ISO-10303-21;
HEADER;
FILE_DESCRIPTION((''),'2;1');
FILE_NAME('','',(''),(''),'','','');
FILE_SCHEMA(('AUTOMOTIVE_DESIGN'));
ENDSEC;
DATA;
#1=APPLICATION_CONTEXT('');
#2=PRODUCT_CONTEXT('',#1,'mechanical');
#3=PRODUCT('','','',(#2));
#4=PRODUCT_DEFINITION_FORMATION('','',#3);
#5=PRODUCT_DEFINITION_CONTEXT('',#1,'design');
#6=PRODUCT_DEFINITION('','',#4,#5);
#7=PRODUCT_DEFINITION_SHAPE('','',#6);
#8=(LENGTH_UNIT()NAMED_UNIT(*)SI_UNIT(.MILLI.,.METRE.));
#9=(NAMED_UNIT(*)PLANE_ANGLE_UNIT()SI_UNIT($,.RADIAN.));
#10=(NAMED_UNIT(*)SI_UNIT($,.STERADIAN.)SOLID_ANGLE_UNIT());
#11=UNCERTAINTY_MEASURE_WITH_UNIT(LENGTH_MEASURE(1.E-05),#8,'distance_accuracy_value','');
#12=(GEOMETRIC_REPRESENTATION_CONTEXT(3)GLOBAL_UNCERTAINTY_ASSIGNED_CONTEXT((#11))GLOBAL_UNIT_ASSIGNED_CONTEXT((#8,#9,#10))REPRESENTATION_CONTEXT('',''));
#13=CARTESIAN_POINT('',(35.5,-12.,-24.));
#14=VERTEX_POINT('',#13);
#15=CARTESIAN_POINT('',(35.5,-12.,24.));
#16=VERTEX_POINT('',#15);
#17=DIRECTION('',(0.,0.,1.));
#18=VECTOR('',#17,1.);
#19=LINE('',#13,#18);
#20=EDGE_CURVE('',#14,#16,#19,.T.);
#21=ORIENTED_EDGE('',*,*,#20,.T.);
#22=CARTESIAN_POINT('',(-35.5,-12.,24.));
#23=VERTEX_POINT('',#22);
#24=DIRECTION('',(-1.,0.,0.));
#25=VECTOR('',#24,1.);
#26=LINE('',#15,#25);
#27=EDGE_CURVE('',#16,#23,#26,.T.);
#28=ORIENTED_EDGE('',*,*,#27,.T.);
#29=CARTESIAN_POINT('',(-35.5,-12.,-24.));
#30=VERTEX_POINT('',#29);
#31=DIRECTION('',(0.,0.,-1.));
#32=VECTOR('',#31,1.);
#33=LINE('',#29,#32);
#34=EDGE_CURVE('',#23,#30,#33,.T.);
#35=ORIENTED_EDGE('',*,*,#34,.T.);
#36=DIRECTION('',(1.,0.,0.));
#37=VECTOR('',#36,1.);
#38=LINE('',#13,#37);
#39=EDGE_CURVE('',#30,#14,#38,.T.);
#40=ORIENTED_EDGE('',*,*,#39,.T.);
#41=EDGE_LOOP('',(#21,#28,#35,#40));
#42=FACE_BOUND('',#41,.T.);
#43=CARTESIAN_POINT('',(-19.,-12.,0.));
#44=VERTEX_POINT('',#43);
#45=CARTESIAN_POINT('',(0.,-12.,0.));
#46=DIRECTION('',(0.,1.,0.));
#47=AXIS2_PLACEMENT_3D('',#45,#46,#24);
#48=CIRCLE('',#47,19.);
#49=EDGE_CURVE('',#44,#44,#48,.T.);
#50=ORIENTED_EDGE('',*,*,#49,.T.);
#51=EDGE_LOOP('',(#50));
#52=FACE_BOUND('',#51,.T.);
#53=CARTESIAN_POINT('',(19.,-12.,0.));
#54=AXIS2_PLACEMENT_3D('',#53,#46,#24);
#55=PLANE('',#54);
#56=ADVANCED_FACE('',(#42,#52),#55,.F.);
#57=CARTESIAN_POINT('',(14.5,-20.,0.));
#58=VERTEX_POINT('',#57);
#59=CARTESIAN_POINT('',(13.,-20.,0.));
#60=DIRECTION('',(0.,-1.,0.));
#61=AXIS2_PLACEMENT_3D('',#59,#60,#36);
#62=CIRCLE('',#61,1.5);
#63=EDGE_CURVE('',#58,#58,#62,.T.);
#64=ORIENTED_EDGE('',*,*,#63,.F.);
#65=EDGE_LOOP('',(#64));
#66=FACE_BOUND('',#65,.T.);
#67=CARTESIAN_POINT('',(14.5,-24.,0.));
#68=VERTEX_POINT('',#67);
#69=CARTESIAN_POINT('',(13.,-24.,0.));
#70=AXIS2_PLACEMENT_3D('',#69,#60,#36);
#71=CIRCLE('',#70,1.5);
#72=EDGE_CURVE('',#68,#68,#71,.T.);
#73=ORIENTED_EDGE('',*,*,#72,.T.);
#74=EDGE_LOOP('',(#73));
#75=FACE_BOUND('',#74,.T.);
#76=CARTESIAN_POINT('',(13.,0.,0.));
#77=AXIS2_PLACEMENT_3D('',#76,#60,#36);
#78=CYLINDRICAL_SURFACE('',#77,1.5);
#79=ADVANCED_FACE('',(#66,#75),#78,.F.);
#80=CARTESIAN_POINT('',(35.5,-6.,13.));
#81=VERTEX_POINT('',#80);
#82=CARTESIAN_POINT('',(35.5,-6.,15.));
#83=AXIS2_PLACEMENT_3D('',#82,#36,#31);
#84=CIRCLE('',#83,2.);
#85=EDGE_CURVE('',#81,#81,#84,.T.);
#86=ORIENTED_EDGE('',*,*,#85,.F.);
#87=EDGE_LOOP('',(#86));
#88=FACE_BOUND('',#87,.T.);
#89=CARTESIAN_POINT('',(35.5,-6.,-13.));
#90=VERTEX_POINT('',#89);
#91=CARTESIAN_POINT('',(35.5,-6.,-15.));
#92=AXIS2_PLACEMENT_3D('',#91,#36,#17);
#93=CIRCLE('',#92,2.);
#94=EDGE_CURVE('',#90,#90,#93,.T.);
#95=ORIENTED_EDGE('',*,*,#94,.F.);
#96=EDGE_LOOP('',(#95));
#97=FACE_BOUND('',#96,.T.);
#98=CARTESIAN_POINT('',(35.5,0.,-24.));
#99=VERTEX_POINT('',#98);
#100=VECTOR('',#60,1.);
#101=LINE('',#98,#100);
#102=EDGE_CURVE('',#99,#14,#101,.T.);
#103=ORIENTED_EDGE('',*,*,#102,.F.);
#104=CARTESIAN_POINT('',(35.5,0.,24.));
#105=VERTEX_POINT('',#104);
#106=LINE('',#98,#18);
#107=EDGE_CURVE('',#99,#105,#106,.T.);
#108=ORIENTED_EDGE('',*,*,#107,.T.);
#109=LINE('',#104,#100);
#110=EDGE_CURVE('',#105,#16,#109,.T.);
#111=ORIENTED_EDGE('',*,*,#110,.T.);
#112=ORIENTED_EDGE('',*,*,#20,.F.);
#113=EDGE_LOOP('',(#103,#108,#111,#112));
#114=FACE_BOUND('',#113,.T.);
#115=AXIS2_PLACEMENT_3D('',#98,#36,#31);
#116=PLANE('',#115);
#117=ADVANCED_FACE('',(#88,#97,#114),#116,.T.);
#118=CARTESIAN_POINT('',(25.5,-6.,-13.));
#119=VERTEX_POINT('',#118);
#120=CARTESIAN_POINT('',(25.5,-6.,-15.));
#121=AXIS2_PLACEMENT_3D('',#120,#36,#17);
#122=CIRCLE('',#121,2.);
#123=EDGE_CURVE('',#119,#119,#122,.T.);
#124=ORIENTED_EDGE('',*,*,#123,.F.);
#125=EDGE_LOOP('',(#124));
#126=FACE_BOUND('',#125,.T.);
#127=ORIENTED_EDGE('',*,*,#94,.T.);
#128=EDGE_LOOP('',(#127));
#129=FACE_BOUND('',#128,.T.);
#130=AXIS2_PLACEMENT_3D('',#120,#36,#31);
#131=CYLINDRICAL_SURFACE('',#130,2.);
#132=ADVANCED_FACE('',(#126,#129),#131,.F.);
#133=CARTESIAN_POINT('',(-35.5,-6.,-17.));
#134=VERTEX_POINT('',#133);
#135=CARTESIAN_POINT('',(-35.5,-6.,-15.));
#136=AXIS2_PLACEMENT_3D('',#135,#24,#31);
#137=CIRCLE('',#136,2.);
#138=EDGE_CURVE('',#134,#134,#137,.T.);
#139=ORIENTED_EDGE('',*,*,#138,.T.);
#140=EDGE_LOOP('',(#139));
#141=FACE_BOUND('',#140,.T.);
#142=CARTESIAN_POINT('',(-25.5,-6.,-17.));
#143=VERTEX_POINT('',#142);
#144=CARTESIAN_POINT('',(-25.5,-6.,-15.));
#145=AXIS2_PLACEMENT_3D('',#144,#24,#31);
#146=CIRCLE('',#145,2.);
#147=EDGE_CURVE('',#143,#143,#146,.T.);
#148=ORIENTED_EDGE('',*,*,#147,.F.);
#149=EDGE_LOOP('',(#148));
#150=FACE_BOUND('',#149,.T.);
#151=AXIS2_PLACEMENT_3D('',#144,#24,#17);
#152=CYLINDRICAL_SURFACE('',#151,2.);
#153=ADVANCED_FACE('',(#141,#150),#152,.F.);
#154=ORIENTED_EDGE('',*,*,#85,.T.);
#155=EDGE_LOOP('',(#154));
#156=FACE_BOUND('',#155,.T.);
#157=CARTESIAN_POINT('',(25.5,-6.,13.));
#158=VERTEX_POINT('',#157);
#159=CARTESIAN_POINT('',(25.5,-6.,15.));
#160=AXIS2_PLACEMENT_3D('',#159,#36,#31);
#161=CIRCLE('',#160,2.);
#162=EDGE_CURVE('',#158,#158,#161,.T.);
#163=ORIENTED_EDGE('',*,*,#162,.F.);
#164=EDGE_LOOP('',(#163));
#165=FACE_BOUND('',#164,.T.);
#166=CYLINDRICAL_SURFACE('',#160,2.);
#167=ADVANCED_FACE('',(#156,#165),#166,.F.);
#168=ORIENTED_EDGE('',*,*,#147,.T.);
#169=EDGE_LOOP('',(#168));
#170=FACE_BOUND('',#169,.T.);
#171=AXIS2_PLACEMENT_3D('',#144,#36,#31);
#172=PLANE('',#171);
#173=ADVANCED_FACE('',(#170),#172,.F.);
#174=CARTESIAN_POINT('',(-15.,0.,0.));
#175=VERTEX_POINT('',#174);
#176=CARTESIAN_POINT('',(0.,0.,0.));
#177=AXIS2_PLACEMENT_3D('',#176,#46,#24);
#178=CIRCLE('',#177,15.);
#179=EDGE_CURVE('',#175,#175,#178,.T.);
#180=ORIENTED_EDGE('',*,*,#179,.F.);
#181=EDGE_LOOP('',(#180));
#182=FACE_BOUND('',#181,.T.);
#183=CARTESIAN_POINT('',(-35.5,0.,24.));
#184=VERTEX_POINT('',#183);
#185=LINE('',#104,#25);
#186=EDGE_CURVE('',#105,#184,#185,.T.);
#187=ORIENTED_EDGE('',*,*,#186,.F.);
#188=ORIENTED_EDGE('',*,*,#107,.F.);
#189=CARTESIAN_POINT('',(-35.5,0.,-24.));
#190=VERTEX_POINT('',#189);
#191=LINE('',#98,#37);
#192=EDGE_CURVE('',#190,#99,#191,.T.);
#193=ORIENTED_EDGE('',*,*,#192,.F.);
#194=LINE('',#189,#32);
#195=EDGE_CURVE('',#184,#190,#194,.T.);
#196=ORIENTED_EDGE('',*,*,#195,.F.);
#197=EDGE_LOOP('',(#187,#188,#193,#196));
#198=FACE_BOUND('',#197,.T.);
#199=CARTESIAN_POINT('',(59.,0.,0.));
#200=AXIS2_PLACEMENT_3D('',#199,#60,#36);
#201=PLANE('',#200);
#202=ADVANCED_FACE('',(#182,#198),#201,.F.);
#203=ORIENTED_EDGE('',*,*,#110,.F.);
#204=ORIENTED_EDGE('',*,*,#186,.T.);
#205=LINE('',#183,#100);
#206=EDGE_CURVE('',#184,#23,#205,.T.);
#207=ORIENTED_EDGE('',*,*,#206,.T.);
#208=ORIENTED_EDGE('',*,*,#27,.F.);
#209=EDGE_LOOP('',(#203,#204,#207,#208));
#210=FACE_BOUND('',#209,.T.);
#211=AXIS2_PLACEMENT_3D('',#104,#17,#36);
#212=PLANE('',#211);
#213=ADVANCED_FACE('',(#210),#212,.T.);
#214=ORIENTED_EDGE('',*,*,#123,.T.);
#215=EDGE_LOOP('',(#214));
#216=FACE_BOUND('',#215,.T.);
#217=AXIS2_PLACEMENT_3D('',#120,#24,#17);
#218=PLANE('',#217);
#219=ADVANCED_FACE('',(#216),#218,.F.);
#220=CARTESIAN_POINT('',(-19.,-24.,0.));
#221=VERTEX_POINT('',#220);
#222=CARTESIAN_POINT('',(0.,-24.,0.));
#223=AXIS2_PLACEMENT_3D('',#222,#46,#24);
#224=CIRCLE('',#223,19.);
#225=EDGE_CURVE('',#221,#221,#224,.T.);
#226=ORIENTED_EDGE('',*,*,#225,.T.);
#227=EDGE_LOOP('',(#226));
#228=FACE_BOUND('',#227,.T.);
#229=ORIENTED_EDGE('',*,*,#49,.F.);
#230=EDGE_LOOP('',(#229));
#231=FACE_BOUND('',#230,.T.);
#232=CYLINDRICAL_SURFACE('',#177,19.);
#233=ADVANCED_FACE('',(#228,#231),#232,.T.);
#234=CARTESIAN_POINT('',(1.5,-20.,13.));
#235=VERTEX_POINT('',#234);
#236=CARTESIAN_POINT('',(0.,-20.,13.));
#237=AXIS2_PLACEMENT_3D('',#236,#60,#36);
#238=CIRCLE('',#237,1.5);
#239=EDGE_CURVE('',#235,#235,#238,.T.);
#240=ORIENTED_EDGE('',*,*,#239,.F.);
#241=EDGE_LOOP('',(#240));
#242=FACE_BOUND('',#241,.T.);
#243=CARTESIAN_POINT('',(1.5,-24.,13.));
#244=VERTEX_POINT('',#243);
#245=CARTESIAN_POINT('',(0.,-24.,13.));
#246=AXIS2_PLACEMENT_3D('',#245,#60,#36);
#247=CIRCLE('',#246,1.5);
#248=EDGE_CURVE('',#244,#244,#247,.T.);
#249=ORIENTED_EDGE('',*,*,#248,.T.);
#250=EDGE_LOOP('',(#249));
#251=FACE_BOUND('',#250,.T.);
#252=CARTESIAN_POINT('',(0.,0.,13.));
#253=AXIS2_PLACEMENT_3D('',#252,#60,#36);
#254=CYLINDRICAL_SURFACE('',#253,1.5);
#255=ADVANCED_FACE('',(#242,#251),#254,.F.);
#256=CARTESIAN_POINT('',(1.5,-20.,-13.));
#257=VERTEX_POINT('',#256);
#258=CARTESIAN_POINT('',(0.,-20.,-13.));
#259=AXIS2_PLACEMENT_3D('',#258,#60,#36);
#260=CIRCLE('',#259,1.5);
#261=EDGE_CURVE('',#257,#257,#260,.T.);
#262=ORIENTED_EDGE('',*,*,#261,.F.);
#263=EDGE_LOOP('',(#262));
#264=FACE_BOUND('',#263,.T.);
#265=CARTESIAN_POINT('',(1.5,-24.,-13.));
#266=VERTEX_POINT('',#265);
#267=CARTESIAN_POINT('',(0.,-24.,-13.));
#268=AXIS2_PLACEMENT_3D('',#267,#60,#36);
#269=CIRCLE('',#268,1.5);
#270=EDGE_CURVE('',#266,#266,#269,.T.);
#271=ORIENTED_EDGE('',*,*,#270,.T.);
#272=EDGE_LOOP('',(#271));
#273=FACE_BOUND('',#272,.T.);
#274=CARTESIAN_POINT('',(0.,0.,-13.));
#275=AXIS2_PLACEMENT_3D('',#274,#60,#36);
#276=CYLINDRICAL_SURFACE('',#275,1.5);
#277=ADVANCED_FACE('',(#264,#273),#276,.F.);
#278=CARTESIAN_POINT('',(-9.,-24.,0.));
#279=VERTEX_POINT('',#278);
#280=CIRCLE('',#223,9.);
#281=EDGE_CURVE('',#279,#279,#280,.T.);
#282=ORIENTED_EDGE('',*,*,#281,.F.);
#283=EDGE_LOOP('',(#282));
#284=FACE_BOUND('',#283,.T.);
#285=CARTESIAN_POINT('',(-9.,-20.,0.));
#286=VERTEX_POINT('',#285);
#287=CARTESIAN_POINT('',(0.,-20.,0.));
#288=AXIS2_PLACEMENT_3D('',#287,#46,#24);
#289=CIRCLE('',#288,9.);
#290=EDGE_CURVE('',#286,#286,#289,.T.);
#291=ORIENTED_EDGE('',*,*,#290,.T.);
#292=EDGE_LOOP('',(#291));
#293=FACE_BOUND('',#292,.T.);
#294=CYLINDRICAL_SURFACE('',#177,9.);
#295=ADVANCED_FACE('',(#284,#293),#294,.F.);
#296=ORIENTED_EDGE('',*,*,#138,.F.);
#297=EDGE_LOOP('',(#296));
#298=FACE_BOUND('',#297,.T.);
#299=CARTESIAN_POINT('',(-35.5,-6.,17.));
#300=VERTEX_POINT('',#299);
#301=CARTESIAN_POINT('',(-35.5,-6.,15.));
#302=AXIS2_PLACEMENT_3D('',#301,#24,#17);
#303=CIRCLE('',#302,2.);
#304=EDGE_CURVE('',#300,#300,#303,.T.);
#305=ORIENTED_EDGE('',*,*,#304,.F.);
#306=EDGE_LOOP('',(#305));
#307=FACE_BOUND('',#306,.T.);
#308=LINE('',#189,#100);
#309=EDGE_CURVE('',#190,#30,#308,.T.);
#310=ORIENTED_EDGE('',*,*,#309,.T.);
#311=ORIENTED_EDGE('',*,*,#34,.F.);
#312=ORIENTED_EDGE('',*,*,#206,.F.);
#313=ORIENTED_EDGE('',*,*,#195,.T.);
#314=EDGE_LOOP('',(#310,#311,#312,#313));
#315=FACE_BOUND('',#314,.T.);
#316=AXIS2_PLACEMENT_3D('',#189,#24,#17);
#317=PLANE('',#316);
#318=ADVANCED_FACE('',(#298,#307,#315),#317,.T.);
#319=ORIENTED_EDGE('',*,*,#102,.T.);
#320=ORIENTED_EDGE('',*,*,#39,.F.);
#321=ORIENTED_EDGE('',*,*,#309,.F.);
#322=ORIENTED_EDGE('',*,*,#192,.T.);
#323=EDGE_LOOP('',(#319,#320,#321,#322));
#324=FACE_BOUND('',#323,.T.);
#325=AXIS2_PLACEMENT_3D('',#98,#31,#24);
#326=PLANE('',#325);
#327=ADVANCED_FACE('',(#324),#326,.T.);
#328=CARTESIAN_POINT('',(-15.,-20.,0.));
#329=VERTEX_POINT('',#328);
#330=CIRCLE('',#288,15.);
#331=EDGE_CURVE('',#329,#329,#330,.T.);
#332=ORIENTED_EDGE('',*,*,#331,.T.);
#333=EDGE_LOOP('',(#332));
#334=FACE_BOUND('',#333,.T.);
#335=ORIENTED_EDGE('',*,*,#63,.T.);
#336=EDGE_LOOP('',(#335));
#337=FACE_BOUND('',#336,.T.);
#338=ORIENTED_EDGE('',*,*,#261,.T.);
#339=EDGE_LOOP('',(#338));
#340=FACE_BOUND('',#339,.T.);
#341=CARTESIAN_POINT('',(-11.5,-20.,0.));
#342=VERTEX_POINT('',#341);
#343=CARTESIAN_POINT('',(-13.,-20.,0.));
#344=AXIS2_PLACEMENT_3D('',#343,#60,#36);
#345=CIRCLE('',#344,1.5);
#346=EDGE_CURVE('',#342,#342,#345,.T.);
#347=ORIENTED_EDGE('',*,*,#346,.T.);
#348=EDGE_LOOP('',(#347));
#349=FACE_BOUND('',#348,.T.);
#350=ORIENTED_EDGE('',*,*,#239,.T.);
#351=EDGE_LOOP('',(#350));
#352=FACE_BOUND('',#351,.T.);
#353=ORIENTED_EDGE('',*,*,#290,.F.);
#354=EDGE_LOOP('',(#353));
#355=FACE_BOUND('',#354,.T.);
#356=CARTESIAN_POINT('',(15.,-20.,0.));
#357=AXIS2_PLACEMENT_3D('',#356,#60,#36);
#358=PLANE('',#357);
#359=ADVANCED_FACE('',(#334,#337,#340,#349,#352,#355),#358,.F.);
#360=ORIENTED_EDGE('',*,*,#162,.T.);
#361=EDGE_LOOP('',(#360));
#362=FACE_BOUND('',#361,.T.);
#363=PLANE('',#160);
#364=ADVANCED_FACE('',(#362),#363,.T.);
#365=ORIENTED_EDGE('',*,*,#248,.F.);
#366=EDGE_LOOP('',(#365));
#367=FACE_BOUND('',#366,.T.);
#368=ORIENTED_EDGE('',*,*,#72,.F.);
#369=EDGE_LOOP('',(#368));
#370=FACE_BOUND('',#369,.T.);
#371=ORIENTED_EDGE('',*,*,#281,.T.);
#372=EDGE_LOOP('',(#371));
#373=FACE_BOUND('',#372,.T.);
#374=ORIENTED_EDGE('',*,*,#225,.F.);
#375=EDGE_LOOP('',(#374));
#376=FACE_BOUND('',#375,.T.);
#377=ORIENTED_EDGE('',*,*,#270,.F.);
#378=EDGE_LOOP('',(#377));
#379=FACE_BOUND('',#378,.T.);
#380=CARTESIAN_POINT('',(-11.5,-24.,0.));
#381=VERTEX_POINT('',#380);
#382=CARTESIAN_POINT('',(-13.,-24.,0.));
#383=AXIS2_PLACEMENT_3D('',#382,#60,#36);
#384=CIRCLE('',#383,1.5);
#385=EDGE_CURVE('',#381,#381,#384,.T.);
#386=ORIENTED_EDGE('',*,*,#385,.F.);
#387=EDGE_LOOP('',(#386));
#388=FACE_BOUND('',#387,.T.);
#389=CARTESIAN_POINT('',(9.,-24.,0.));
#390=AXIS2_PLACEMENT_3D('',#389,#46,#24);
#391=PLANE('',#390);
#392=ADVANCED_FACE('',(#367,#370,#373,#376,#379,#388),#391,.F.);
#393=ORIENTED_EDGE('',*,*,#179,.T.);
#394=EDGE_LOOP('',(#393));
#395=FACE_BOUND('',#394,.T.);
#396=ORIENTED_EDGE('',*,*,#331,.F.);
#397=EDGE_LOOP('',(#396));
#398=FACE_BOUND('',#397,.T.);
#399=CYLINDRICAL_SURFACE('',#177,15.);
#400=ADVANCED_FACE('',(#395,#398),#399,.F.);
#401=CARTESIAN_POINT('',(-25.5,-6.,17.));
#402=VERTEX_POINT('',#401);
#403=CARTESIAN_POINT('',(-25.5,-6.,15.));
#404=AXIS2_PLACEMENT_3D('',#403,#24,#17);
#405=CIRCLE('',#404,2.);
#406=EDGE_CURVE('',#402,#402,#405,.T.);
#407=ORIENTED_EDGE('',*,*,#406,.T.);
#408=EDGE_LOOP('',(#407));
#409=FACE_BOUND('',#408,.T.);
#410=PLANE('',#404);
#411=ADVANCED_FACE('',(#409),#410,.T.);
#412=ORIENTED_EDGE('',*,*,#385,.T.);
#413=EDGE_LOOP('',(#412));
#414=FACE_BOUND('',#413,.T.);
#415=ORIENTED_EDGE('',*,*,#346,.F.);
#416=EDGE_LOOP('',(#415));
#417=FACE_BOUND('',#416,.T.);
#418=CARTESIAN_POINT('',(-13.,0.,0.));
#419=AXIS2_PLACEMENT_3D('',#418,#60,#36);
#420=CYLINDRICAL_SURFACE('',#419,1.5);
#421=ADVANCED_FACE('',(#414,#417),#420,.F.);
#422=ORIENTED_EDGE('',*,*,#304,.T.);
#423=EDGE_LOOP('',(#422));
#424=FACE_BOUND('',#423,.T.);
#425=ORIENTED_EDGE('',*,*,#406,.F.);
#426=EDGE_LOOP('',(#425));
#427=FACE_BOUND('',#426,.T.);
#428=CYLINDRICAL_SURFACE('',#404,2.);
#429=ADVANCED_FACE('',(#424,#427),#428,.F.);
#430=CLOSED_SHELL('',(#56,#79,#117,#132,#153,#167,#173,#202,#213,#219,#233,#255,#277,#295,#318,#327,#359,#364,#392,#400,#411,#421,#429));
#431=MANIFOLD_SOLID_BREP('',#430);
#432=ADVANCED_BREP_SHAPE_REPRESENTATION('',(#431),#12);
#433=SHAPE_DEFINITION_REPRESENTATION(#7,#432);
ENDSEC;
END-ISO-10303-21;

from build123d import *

# Parameters (mm, degrees)
ESQUISSE4_R           = 1.5
EXTRUSION3_DEPTH      = 25
ESQUISSE5_OUTSIDE_W   = 153.718
ESQUISSE5_OUTSIDE_H   = 153.718
ESQUISSE5_OUTSIDE_W_2 = 71
ESQUISSE5_OUTSIDE_H_2 = 48
EXTRUSION4_DEPTH      = 13
ESQUISSE6_R           = 2
EXTRUSION5_DEPTH      = 10
ESQUISSE7_R           = 2
EXTRUSION6_DEPTH      = 10


with BuildPart() as part:
    # Esquisse1 → Révolution1 (revolve)
    with BuildSketch(Plane.XY):
        Polygon((19, -12), (59, -12), (59, 0), (15, 0), (15, -20), (9, -20), (9, -24), (19, -24), align=None)
    revolve(axis=Axis((0, 0, 0), (0, -1, 0)))

    # Esquisse4 → Extrusion3 (cut, through all)
    with BuildSketch(Plane.XZ.offset(24)):
        with Locations((0, 13)):
            Circle(ESQUISSE4_R)
        with Locations((13, 0)):
            Circle(ESQUISSE4_R)
        with Locations((0, -13)):
            Circle(ESQUISSE4_R)
        with Locations((-13, 0)):
            Circle(ESQUISSE4_R)
    extrude(amount=-EXTRUSION3_DEPTH, mode=Mode.SUBTRACT)

    # Esquisse5 outside → Extrusion4 (cut, through all)
    with BuildSketch(Plane.XZ.offset(12)):
        Rectangle(ESQUISSE5_OUTSIDE_W, ESQUISSE5_OUTSIDE_H)
        Rectangle(ESQUISSE5_OUTSIDE_W_2, ESQUISSE5_OUTSIDE_H_2, mode=Mode.SUBTRACT)
    extrude(amount=-EXTRUSION4_DEPTH, mode=Mode.SUBTRACT)

    # Esquisse6 → Extrusion5 (cut)
    with BuildSketch(Plane(origin=(35.5, 0, 0), x_dir=(0, 0, -1), z_dir=(1, 0, 0))):
        with Locations((-15, -6)):
            Circle(ESQUISSE6_R)
        with Locations((15, -6)):
            Circle(ESQUISSE6_R)
    extrude(amount=-EXTRUSION5_DEPTH, mode=Mode.SUBTRACT)

    # Esquisse7 → Extrusion6 (cut)
    with BuildSketch(Plane.ZY.offset(35.5)):
        with Locations((15, -6)):
            Circle(ESQUISSE7_R)
        with Locations((-15, -6)):
            Circle(ESQUISSE7_R)
    extrude(amount=-EXTRUSION6_DEPTH, mode=Mode.SUBTRACT)


solid = part.part
